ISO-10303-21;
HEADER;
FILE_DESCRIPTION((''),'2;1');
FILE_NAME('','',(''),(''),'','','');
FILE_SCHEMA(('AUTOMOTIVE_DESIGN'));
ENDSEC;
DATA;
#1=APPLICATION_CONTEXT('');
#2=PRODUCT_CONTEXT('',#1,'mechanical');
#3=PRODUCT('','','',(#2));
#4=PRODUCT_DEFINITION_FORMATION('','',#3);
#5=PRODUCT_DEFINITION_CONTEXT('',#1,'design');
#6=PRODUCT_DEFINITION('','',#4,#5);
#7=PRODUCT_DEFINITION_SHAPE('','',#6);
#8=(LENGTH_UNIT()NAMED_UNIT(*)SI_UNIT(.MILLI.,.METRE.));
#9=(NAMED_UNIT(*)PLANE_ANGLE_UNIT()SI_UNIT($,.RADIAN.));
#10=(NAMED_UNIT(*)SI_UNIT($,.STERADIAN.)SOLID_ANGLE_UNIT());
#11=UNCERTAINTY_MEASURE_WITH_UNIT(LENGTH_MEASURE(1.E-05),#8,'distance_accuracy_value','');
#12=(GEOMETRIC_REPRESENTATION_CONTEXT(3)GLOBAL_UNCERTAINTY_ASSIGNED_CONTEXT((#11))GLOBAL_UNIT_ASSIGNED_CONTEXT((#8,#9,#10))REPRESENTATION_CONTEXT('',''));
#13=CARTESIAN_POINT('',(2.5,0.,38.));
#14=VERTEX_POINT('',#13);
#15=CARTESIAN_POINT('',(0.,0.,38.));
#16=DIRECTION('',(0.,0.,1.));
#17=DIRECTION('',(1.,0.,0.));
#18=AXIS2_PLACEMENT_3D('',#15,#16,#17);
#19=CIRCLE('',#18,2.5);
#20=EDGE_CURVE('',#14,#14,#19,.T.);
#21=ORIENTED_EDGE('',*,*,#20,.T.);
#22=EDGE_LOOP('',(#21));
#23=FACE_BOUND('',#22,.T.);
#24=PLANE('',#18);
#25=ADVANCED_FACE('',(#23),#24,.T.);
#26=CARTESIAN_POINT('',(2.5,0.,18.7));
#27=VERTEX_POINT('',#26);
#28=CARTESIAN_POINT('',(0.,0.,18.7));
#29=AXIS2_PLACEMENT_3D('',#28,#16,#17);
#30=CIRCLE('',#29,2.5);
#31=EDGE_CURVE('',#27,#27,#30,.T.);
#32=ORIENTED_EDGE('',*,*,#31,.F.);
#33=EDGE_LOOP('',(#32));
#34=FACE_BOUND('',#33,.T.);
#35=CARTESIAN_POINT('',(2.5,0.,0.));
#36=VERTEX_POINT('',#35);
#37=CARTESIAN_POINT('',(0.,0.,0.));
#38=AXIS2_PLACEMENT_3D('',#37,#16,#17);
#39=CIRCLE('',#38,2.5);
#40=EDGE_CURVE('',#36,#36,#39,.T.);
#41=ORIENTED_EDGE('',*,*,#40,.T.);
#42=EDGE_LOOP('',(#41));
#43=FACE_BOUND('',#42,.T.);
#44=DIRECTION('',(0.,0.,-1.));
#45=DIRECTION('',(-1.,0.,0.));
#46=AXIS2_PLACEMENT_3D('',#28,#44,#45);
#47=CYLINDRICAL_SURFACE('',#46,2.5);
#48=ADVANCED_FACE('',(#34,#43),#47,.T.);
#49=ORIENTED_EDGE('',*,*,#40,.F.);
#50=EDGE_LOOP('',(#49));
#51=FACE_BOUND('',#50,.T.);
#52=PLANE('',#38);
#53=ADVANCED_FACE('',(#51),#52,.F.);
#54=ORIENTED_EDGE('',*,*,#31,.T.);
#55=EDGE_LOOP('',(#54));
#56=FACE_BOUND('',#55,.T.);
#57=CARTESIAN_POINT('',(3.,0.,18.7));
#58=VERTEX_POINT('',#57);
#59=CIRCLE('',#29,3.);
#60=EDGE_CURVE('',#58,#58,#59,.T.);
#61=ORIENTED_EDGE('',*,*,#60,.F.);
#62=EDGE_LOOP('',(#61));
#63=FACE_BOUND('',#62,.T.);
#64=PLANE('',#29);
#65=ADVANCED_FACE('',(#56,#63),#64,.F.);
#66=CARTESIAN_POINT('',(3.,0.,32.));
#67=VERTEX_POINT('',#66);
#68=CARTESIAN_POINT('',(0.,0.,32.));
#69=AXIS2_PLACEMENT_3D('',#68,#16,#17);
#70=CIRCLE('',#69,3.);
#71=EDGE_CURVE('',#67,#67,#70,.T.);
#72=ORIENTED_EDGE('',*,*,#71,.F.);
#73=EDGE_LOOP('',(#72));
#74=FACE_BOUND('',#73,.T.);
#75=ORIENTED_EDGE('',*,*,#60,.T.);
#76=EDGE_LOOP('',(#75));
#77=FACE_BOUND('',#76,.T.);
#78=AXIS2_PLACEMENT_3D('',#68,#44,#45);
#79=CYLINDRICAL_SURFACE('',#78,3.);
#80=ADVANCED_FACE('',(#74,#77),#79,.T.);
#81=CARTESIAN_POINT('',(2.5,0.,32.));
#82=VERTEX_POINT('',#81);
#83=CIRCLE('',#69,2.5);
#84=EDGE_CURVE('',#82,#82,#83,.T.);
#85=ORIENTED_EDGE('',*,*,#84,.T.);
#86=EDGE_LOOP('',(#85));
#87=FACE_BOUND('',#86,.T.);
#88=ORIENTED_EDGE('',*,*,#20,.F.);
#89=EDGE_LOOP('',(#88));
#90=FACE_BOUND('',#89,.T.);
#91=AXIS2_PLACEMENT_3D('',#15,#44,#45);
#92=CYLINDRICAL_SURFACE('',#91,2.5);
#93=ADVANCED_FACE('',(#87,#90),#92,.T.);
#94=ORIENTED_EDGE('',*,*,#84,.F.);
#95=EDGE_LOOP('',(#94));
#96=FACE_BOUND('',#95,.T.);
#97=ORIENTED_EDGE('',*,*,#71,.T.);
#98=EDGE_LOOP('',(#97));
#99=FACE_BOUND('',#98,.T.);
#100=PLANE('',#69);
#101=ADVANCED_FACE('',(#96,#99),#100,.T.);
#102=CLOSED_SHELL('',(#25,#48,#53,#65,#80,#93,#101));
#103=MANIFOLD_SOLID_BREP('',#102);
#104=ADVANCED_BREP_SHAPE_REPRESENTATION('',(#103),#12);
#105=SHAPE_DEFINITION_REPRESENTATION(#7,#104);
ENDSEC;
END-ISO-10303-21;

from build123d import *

# Parameters (mm, degrees)
SKETCH_1_R      = 2.5
EXTRUDE_1_DEPTH = 18.7
SKETCH_2_R      = 3
EXTRUDE_2_DEPTH = 13.3
SKETCH_3_R      = 2.5
EXTRUDE_3_DEPTH = 6


with BuildPart() as part:
    # ｽｹｯﾁ1 → ﾎﾞｽ - 押し出し1 (new body)
    with BuildSketch(Plane.XY):
        Circle(SKETCH_1_R)
    extrude(amount=EXTRUDE_1_DEPTH)

    # ｽｹｯﾁ2 → ﾎﾞｽ - 押し出し2 (add)
    with BuildSketch(Plane.XY.offset(18.7)):
        Circle(SKETCH_2_R)
    extrude(amount=EXTRUDE_2_DEPTH)

    # ｽｹｯﾁ3 → ﾎﾞｽ - 押し出し3 (add)
    with BuildSketch(Plane.XY.offset(32)):
        Circle(SKETCH_3_R)
    extrude(amount=EXTRUDE_3_DEPTH)


solid = part.part
